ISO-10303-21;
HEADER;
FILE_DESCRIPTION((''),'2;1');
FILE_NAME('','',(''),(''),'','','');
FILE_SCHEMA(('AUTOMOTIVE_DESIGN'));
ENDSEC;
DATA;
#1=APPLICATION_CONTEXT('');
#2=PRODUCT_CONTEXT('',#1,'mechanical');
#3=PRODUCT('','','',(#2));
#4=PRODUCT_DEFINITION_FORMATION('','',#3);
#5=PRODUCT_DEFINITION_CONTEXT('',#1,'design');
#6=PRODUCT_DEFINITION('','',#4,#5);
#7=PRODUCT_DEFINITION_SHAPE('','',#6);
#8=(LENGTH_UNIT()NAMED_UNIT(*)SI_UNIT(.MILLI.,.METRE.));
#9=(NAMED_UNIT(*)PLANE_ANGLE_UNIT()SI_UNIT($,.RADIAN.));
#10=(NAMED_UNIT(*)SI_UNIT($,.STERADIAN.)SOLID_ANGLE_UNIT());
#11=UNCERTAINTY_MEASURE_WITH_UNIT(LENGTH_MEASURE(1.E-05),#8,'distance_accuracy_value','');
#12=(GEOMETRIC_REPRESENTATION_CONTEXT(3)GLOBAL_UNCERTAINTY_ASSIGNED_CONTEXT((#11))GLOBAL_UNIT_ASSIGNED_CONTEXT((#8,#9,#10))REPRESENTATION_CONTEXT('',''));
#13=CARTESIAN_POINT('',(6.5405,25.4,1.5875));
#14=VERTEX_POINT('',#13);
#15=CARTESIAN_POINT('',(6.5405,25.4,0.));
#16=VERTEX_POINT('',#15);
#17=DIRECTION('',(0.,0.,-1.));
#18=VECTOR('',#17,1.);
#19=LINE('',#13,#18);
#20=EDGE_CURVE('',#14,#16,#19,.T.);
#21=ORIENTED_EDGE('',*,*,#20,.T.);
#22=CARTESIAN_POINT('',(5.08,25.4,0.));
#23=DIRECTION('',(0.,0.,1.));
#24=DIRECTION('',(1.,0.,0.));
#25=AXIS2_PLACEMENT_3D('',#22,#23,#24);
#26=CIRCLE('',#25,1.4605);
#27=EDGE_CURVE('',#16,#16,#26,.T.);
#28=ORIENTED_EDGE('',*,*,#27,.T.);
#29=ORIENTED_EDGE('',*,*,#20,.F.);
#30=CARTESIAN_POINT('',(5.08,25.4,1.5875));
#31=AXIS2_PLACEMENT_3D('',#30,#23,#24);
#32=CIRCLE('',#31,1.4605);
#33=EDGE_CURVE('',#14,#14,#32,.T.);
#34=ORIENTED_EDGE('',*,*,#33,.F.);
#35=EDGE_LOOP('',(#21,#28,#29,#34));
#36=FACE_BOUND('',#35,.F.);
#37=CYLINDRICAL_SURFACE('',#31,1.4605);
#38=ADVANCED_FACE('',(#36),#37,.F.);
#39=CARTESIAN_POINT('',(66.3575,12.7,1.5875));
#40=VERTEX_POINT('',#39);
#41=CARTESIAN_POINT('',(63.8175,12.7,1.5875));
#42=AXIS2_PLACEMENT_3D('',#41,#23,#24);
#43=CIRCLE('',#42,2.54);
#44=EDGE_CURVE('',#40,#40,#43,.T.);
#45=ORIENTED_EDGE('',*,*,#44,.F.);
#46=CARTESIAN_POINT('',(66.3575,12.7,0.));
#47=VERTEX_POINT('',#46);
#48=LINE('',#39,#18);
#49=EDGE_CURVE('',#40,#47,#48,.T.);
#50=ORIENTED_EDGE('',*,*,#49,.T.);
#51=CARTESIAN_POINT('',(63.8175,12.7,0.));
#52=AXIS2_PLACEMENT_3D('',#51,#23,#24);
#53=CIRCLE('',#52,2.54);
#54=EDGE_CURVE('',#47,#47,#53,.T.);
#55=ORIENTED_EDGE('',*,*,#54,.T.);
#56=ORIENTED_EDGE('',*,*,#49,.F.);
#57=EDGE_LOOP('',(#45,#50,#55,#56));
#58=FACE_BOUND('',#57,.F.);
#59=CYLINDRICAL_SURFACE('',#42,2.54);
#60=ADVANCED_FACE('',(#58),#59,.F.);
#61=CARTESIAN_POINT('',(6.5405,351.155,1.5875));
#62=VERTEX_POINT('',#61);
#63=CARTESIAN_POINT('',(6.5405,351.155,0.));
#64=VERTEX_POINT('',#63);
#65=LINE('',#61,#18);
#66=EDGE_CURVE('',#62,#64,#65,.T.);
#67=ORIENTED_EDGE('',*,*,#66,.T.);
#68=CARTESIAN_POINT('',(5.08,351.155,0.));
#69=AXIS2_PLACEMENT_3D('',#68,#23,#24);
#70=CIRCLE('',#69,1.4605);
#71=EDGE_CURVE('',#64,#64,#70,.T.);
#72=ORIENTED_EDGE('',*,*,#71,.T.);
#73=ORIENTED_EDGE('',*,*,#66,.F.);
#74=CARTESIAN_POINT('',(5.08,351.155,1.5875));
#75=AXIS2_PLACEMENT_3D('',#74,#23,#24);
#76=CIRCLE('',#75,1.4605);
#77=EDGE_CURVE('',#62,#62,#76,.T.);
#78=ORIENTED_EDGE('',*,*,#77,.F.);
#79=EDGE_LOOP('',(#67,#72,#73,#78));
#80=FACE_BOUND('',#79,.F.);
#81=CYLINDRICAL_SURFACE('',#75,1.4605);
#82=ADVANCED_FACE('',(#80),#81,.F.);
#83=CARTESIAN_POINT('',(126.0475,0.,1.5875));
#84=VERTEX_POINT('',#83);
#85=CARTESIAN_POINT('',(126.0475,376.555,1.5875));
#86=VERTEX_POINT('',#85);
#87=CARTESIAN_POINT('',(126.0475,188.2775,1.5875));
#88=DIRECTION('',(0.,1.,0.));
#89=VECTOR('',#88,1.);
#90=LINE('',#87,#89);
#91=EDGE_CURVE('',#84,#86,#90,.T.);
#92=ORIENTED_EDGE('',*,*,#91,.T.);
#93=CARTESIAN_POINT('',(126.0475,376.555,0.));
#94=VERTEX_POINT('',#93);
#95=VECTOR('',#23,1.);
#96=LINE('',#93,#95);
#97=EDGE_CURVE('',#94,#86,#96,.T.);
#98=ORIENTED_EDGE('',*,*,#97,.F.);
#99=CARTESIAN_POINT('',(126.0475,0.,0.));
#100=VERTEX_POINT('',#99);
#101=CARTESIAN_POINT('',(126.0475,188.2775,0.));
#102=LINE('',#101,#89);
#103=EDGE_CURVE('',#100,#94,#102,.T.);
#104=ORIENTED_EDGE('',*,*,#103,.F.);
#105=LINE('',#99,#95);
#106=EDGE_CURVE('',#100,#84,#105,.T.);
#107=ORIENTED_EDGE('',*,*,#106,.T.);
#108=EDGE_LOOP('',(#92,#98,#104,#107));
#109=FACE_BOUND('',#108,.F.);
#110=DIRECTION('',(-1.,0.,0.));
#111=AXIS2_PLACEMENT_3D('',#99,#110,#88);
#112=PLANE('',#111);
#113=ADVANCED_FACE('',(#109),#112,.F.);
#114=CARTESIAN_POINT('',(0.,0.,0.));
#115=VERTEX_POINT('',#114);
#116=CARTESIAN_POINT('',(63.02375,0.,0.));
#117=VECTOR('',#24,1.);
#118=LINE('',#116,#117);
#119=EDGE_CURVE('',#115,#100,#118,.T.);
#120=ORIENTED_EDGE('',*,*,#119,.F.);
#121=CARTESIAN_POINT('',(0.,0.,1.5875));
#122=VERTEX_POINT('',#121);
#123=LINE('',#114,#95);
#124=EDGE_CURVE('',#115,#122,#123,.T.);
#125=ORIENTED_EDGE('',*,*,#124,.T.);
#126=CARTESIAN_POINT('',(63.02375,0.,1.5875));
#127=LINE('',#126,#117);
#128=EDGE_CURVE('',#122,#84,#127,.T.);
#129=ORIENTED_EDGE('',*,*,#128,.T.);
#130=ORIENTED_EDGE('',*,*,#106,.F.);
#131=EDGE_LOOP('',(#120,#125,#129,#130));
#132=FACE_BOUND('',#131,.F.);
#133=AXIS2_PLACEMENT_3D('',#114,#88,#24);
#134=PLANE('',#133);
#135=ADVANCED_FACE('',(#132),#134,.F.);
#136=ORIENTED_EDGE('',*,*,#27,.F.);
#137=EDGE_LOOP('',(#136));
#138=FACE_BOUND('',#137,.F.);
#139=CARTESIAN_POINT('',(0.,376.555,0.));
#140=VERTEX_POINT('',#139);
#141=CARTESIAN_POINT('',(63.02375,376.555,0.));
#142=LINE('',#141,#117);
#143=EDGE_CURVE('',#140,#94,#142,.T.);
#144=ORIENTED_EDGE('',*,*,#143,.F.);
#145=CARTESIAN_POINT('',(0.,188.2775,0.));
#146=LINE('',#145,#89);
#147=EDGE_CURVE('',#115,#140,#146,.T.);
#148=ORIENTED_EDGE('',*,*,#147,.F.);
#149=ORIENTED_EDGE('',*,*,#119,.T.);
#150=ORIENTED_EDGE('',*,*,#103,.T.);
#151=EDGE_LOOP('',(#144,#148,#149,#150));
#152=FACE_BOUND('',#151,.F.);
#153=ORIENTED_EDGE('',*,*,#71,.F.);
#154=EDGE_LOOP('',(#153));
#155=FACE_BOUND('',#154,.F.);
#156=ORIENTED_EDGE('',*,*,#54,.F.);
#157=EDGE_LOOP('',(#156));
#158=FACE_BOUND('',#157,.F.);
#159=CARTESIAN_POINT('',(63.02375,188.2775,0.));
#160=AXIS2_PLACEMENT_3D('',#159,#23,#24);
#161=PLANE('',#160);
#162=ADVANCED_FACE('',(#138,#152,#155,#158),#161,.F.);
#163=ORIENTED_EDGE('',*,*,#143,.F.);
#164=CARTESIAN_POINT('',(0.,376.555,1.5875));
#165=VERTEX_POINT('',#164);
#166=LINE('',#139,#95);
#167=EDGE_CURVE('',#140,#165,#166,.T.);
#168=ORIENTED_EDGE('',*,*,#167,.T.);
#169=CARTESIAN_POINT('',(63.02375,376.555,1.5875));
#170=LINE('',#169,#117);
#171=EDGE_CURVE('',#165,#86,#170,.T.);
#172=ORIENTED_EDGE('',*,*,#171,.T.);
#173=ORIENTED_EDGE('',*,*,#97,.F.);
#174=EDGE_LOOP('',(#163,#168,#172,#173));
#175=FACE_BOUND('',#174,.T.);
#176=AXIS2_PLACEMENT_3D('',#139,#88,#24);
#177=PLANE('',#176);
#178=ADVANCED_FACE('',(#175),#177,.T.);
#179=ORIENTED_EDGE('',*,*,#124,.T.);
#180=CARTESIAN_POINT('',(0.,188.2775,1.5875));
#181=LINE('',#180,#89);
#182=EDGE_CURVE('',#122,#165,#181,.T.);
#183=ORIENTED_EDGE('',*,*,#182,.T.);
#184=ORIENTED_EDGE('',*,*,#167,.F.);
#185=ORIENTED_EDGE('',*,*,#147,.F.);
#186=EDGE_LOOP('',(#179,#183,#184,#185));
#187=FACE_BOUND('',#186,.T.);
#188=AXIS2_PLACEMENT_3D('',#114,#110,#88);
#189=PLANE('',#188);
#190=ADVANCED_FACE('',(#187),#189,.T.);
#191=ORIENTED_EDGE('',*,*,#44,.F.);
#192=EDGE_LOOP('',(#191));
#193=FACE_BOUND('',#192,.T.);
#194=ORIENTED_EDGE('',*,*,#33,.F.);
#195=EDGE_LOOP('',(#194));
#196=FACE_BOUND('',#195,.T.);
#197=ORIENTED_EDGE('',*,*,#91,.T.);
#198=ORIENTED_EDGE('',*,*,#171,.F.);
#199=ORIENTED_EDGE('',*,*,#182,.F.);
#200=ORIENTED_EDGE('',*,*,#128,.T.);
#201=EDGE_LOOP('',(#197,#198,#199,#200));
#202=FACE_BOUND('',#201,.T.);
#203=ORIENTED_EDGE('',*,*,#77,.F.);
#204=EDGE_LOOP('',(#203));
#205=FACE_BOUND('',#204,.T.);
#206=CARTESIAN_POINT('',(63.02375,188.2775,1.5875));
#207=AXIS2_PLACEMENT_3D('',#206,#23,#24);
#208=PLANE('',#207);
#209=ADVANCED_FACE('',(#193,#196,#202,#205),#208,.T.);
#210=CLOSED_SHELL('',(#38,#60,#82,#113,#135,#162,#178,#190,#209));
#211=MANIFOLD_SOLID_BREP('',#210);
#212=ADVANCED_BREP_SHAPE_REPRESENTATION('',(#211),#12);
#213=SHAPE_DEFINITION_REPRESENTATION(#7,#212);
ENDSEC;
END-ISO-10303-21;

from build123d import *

# Parameters (mm, degrees)
SKETCH1_W        = 126.0475
SKETCH1_H        = 376.555
MAIN_PLATE_DEPTH = 1.5875
SKETCH2_R        = 1.4605
BOLT_HOLES_DEPTH = 6.35
LPATTERN1_COUNT  = 2
LPATTERN1_PITCH  = 325.755
SKETCH3_R        = 2.54
WIRE_HOLE_DEPTH  = 6.35


with BuildPart() as part:
    # Sketch1 → Main Plate (new body)
    with BuildSketch(Plane.XY):
        with Locations((63.02375, 188.2775)):
            Rectangle(SKETCH1_W, SKETCH1_H)
    extrude(amount=MAIN_PLATE_DEPTH)

    # Sketch2 → Bolt Holes (cut)
    with BuildSketch(Plane.XY.offset(1.5875)):
        with Locations((5.08, 351.155)):
            Circle(SKETCH2_R)
    bolt_holes = extrude(amount=-BOLT_HOLES_DEPTH, mode=Mode.SUBTRACT)

    # LPattern1: Bolt Holes ×2
    with Locations(*[(0, -i * LPATTERN1_PITCH, 0) for i in range(1, LPATTERN1_COUNT)]):
        add(bolt_holes, mode=Mode.SUBTRACT)

    # Sketch3 → Wire Hole (cut)
    with BuildSketch(Plane.XY.offset(1.5875)):
        with Locations((63.8175, 12.7)):
            Circle(SKETCH3_R)
    extrude(amount=-WIRE_HOLE_DEPTH, mode=Mode.SUBTRACT)


solid = part.part
